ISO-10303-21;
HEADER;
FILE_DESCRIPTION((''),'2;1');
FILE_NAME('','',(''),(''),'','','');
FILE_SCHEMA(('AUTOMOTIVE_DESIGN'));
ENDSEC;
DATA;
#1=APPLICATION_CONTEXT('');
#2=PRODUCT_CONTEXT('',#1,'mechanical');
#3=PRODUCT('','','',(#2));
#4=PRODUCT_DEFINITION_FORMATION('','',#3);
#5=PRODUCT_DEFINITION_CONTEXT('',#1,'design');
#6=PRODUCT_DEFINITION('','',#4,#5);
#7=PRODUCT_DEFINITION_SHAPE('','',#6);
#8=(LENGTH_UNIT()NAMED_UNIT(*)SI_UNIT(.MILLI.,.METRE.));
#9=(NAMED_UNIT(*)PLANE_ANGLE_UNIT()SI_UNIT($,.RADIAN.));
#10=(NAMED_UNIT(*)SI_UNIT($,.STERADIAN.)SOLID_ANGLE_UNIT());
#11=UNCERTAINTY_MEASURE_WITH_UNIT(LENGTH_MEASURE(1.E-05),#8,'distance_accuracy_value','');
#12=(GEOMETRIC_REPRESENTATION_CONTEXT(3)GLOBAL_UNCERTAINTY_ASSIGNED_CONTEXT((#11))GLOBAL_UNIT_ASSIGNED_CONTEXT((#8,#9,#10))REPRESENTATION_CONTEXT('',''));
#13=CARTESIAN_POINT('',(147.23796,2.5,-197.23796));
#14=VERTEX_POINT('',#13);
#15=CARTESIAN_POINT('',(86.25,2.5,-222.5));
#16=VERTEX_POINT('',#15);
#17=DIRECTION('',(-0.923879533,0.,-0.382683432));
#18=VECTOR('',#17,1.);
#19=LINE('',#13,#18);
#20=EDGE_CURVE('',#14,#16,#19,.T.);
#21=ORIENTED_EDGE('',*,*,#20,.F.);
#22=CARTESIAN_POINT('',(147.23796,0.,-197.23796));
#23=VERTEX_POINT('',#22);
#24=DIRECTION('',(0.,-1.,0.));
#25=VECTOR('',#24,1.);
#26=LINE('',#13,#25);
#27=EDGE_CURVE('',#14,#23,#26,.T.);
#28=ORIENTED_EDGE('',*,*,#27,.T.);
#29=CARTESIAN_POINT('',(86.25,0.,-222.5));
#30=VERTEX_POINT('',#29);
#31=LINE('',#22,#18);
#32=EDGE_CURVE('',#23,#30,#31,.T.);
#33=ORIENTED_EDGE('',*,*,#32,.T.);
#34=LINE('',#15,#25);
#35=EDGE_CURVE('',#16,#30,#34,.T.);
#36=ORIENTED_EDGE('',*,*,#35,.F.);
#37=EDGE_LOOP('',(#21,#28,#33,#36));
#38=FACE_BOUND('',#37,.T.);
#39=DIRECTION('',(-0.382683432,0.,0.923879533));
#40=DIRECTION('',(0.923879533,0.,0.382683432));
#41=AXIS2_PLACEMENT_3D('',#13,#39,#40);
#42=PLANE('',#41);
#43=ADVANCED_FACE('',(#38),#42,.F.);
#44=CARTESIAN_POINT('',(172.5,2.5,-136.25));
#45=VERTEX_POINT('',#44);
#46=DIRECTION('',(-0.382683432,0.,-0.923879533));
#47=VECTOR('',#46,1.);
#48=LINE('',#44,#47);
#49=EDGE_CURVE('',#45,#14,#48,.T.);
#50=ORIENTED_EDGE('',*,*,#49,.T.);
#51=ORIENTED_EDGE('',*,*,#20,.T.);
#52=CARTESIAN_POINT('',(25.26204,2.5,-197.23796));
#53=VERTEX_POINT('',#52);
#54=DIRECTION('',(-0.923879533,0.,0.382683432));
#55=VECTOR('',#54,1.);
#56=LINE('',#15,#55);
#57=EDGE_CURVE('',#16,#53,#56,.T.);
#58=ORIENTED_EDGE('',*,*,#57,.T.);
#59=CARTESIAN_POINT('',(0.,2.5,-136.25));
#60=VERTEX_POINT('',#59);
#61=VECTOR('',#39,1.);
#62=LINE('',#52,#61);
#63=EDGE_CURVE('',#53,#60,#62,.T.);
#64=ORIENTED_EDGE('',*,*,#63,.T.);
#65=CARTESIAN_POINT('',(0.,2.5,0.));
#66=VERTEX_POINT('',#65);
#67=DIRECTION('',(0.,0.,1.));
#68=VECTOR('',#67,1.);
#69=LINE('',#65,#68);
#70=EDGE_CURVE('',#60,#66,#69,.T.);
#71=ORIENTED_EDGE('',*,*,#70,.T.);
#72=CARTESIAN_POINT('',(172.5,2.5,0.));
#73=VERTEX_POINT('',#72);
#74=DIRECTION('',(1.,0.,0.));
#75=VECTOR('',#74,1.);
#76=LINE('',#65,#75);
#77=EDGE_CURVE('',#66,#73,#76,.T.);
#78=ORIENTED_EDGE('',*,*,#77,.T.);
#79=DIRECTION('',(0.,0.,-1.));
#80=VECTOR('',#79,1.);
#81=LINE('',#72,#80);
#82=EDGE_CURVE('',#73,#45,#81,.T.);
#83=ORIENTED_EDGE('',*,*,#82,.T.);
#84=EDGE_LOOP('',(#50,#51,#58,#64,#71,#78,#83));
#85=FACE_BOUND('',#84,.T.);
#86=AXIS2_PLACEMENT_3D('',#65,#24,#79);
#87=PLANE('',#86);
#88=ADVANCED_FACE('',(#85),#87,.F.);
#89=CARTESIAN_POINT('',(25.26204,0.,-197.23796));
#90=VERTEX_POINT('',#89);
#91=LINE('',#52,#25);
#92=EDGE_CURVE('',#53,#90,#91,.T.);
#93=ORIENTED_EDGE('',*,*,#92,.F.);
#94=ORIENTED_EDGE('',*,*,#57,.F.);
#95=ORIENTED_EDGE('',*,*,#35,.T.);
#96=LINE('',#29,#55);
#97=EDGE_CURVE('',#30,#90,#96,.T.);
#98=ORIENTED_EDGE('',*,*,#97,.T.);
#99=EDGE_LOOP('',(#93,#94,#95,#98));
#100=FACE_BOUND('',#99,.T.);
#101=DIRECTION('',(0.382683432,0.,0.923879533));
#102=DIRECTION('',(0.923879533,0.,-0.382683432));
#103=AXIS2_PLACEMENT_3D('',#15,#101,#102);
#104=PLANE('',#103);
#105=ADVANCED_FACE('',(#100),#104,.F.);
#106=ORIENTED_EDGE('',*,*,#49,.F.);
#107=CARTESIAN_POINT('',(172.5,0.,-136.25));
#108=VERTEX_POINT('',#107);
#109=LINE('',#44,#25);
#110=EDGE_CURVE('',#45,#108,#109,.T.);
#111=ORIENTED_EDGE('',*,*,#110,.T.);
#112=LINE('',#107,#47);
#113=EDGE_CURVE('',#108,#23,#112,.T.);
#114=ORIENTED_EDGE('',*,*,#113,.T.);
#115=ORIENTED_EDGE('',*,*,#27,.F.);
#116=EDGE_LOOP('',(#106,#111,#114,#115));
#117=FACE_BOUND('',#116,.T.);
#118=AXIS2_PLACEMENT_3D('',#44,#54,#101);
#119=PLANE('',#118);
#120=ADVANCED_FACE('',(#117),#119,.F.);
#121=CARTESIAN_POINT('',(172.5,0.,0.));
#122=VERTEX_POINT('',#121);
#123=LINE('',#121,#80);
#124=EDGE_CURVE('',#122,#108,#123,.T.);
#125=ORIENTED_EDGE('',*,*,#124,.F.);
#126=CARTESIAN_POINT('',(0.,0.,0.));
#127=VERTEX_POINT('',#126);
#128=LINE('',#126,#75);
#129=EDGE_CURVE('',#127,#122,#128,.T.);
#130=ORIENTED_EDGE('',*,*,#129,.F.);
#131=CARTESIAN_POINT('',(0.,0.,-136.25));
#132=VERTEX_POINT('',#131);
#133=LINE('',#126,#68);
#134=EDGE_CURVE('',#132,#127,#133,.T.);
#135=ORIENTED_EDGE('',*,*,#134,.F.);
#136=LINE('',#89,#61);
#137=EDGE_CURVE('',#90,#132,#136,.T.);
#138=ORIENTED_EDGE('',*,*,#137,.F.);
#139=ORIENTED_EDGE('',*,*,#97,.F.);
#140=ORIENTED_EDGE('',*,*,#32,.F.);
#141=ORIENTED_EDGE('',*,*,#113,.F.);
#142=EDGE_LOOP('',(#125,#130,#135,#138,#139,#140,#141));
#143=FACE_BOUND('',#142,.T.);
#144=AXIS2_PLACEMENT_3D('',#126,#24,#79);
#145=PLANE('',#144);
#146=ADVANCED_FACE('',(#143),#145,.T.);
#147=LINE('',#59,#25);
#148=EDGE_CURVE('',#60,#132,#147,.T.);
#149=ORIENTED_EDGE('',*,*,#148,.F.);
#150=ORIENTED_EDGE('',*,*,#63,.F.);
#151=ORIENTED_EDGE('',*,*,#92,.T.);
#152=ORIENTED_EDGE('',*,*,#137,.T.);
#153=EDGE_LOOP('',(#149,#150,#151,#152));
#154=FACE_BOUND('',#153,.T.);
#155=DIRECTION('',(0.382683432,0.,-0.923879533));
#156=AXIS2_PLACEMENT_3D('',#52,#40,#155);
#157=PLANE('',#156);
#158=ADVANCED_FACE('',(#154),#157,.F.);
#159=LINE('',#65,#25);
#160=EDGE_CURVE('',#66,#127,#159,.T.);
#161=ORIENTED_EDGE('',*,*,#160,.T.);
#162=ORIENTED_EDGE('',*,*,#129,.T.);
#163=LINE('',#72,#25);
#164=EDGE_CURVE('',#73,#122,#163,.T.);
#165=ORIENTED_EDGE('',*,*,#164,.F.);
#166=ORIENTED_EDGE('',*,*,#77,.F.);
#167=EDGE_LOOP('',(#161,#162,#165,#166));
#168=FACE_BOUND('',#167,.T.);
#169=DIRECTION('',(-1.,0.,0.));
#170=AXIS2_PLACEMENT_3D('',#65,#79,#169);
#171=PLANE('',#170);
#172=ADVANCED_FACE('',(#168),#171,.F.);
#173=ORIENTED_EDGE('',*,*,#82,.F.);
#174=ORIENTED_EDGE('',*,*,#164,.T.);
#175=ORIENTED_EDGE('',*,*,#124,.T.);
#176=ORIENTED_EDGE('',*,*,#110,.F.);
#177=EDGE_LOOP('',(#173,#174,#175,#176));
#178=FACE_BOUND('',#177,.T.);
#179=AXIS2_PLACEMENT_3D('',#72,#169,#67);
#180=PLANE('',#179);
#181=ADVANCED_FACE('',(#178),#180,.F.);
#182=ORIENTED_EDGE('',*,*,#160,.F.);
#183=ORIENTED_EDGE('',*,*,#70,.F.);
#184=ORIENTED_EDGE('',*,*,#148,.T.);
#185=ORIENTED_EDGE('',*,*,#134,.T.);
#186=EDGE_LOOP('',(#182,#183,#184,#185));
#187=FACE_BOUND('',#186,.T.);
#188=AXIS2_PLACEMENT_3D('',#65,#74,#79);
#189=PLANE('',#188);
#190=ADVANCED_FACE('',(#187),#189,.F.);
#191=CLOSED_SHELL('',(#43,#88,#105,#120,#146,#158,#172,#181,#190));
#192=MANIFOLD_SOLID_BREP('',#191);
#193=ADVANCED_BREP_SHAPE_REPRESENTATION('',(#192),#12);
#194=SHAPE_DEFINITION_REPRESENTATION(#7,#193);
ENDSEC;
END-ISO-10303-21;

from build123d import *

# Parameters (mm, degrees)
BOSS_EXTRUDE1_DEPTH = 2.5


with BuildPart() as part:
    # Sketch1 → Boss-Extrude1 (new body)
    with BuildSketch(Plane(origin=(0, 0, 0), x_dir=(1, 0, 0), z_dir=(0, 1, 0))):
        Polygon((0, 0), (172.5, 0), (172.5, 136.25), (147.237959877, 197.237959877), (86.25, 222.5), (25.262040123, 197.237959877), (0, 136.25), align=None)
    extrude(amount=BOSS_EXTRUDE1_DEPTH)


solid = part.part
